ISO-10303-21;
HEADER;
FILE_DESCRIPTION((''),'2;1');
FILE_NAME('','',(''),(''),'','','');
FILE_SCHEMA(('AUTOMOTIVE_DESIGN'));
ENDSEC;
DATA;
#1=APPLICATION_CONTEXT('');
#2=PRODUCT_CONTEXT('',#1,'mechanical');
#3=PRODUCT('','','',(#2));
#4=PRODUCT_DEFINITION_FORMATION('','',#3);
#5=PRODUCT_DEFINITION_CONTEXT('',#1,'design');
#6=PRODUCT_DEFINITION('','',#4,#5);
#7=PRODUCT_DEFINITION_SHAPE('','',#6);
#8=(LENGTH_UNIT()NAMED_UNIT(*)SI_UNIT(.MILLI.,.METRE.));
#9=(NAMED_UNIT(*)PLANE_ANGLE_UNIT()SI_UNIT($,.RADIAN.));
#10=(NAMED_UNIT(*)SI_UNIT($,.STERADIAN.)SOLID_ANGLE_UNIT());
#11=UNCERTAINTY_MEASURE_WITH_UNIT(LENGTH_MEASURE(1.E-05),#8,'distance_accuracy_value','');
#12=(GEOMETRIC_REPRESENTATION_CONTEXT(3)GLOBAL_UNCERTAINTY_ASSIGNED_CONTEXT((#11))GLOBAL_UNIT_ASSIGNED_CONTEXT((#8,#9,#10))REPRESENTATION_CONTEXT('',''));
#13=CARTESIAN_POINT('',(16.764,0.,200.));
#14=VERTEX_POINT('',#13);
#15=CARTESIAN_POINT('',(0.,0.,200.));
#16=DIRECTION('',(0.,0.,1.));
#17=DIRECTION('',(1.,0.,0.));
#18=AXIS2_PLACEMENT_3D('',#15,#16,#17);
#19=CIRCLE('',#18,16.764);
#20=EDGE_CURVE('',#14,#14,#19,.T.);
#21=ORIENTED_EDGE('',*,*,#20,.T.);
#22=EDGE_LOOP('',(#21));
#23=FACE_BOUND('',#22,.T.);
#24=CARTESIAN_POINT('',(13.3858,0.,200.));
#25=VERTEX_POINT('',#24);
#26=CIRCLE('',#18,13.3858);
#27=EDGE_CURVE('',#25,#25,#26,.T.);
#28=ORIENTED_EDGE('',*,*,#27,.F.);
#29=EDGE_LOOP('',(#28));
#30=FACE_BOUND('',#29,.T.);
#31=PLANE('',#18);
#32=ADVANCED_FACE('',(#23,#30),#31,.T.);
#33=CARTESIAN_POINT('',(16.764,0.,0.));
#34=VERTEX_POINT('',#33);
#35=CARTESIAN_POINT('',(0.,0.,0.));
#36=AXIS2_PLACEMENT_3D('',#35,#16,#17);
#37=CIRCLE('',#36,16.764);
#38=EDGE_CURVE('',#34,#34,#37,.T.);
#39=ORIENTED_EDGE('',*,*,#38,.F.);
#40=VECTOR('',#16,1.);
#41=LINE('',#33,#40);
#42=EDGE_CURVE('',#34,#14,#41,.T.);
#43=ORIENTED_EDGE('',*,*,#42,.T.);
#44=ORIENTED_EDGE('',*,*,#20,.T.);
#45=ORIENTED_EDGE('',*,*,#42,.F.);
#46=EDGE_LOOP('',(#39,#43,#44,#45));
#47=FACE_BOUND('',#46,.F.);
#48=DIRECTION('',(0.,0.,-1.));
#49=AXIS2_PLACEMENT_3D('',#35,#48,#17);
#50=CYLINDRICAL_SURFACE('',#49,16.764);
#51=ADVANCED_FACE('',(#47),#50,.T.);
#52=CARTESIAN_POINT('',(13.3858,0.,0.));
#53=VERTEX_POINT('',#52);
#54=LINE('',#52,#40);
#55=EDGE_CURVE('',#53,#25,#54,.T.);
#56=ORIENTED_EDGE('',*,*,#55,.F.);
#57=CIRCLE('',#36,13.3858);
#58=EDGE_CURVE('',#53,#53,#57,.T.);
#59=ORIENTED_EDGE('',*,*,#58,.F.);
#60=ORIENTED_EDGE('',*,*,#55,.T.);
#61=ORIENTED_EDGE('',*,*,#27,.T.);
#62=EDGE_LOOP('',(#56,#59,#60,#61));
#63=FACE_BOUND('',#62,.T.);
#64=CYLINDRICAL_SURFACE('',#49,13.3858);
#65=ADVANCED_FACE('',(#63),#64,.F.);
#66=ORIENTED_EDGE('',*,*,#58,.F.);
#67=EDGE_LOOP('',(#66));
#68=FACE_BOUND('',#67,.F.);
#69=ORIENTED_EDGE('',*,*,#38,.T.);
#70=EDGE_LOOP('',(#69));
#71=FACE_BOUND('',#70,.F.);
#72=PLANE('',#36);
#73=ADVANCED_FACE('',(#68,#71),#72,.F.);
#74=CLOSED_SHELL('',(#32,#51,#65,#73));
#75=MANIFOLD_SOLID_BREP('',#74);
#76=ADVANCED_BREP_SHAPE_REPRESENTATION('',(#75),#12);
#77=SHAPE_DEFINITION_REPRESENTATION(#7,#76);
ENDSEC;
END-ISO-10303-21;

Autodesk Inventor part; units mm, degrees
ref_plane "YZ Plane" through (0, 0, 0) normal (1, 0, 0) x (0, 1, 0)
ref_plane "Start plane" through (0, 0, 0) normal (0, 0, 1) x (1, 0, 0)
ref_plane "End plane" through (0, 0, 200) normal (0, 0, 1) x (1, 0, 0)
sketch "Sketch" plane through (0, 0, 0) normal (0, 0, 1) x (1, 0, 0)
  circle A0 centre (0, 0) radius 13.3858
  circle A1 centre (0, 0) radius 16.764
  dimension "d0" = 33.528
  dimension "d1" = 3.3782
extrude "Body" add sketch "Sketch" along normal up to surface (200 mm away) from surface at 0
sketch "Sketch3" plane through (0, 0, 0) normal (0, 0, 1) x (1, 0, 0)
  line L0 (0, 0) -> (10, 0)
ref_plane "Work Plane3" through (0, 0, 0) normal (0, -1, 0) x (1, 0, 0)
sketch "Sketch4" plane through (0, 0, 0) normal (0, -1, 0) x (1, 0, 0)
  line L0 (-2, 0) -> (12, 0) projected
  line L1 (-2, 200) -> (12, 200) projected
  dimension "d7" = 200
equation "\"d0\" = G_H"
equation "\"d1\" = G_T"
equation "\"d2\" = G_L"
equation "\"G_H\" = 33.528"
equation "\"G_T\" = 3.3782"
equation "\"G_L\" = d7"
equation "\"G_OFFSET_START\" = 0"
equation "\"G_OFFSET_END\" = 0"
equation "\"d5\" = G_OFFSET_END + B_L"
equation "\"B_L\" = 200"
properties part number "ANSI - 1 x 0.133 - 7.874" material "Steel, Mild"
